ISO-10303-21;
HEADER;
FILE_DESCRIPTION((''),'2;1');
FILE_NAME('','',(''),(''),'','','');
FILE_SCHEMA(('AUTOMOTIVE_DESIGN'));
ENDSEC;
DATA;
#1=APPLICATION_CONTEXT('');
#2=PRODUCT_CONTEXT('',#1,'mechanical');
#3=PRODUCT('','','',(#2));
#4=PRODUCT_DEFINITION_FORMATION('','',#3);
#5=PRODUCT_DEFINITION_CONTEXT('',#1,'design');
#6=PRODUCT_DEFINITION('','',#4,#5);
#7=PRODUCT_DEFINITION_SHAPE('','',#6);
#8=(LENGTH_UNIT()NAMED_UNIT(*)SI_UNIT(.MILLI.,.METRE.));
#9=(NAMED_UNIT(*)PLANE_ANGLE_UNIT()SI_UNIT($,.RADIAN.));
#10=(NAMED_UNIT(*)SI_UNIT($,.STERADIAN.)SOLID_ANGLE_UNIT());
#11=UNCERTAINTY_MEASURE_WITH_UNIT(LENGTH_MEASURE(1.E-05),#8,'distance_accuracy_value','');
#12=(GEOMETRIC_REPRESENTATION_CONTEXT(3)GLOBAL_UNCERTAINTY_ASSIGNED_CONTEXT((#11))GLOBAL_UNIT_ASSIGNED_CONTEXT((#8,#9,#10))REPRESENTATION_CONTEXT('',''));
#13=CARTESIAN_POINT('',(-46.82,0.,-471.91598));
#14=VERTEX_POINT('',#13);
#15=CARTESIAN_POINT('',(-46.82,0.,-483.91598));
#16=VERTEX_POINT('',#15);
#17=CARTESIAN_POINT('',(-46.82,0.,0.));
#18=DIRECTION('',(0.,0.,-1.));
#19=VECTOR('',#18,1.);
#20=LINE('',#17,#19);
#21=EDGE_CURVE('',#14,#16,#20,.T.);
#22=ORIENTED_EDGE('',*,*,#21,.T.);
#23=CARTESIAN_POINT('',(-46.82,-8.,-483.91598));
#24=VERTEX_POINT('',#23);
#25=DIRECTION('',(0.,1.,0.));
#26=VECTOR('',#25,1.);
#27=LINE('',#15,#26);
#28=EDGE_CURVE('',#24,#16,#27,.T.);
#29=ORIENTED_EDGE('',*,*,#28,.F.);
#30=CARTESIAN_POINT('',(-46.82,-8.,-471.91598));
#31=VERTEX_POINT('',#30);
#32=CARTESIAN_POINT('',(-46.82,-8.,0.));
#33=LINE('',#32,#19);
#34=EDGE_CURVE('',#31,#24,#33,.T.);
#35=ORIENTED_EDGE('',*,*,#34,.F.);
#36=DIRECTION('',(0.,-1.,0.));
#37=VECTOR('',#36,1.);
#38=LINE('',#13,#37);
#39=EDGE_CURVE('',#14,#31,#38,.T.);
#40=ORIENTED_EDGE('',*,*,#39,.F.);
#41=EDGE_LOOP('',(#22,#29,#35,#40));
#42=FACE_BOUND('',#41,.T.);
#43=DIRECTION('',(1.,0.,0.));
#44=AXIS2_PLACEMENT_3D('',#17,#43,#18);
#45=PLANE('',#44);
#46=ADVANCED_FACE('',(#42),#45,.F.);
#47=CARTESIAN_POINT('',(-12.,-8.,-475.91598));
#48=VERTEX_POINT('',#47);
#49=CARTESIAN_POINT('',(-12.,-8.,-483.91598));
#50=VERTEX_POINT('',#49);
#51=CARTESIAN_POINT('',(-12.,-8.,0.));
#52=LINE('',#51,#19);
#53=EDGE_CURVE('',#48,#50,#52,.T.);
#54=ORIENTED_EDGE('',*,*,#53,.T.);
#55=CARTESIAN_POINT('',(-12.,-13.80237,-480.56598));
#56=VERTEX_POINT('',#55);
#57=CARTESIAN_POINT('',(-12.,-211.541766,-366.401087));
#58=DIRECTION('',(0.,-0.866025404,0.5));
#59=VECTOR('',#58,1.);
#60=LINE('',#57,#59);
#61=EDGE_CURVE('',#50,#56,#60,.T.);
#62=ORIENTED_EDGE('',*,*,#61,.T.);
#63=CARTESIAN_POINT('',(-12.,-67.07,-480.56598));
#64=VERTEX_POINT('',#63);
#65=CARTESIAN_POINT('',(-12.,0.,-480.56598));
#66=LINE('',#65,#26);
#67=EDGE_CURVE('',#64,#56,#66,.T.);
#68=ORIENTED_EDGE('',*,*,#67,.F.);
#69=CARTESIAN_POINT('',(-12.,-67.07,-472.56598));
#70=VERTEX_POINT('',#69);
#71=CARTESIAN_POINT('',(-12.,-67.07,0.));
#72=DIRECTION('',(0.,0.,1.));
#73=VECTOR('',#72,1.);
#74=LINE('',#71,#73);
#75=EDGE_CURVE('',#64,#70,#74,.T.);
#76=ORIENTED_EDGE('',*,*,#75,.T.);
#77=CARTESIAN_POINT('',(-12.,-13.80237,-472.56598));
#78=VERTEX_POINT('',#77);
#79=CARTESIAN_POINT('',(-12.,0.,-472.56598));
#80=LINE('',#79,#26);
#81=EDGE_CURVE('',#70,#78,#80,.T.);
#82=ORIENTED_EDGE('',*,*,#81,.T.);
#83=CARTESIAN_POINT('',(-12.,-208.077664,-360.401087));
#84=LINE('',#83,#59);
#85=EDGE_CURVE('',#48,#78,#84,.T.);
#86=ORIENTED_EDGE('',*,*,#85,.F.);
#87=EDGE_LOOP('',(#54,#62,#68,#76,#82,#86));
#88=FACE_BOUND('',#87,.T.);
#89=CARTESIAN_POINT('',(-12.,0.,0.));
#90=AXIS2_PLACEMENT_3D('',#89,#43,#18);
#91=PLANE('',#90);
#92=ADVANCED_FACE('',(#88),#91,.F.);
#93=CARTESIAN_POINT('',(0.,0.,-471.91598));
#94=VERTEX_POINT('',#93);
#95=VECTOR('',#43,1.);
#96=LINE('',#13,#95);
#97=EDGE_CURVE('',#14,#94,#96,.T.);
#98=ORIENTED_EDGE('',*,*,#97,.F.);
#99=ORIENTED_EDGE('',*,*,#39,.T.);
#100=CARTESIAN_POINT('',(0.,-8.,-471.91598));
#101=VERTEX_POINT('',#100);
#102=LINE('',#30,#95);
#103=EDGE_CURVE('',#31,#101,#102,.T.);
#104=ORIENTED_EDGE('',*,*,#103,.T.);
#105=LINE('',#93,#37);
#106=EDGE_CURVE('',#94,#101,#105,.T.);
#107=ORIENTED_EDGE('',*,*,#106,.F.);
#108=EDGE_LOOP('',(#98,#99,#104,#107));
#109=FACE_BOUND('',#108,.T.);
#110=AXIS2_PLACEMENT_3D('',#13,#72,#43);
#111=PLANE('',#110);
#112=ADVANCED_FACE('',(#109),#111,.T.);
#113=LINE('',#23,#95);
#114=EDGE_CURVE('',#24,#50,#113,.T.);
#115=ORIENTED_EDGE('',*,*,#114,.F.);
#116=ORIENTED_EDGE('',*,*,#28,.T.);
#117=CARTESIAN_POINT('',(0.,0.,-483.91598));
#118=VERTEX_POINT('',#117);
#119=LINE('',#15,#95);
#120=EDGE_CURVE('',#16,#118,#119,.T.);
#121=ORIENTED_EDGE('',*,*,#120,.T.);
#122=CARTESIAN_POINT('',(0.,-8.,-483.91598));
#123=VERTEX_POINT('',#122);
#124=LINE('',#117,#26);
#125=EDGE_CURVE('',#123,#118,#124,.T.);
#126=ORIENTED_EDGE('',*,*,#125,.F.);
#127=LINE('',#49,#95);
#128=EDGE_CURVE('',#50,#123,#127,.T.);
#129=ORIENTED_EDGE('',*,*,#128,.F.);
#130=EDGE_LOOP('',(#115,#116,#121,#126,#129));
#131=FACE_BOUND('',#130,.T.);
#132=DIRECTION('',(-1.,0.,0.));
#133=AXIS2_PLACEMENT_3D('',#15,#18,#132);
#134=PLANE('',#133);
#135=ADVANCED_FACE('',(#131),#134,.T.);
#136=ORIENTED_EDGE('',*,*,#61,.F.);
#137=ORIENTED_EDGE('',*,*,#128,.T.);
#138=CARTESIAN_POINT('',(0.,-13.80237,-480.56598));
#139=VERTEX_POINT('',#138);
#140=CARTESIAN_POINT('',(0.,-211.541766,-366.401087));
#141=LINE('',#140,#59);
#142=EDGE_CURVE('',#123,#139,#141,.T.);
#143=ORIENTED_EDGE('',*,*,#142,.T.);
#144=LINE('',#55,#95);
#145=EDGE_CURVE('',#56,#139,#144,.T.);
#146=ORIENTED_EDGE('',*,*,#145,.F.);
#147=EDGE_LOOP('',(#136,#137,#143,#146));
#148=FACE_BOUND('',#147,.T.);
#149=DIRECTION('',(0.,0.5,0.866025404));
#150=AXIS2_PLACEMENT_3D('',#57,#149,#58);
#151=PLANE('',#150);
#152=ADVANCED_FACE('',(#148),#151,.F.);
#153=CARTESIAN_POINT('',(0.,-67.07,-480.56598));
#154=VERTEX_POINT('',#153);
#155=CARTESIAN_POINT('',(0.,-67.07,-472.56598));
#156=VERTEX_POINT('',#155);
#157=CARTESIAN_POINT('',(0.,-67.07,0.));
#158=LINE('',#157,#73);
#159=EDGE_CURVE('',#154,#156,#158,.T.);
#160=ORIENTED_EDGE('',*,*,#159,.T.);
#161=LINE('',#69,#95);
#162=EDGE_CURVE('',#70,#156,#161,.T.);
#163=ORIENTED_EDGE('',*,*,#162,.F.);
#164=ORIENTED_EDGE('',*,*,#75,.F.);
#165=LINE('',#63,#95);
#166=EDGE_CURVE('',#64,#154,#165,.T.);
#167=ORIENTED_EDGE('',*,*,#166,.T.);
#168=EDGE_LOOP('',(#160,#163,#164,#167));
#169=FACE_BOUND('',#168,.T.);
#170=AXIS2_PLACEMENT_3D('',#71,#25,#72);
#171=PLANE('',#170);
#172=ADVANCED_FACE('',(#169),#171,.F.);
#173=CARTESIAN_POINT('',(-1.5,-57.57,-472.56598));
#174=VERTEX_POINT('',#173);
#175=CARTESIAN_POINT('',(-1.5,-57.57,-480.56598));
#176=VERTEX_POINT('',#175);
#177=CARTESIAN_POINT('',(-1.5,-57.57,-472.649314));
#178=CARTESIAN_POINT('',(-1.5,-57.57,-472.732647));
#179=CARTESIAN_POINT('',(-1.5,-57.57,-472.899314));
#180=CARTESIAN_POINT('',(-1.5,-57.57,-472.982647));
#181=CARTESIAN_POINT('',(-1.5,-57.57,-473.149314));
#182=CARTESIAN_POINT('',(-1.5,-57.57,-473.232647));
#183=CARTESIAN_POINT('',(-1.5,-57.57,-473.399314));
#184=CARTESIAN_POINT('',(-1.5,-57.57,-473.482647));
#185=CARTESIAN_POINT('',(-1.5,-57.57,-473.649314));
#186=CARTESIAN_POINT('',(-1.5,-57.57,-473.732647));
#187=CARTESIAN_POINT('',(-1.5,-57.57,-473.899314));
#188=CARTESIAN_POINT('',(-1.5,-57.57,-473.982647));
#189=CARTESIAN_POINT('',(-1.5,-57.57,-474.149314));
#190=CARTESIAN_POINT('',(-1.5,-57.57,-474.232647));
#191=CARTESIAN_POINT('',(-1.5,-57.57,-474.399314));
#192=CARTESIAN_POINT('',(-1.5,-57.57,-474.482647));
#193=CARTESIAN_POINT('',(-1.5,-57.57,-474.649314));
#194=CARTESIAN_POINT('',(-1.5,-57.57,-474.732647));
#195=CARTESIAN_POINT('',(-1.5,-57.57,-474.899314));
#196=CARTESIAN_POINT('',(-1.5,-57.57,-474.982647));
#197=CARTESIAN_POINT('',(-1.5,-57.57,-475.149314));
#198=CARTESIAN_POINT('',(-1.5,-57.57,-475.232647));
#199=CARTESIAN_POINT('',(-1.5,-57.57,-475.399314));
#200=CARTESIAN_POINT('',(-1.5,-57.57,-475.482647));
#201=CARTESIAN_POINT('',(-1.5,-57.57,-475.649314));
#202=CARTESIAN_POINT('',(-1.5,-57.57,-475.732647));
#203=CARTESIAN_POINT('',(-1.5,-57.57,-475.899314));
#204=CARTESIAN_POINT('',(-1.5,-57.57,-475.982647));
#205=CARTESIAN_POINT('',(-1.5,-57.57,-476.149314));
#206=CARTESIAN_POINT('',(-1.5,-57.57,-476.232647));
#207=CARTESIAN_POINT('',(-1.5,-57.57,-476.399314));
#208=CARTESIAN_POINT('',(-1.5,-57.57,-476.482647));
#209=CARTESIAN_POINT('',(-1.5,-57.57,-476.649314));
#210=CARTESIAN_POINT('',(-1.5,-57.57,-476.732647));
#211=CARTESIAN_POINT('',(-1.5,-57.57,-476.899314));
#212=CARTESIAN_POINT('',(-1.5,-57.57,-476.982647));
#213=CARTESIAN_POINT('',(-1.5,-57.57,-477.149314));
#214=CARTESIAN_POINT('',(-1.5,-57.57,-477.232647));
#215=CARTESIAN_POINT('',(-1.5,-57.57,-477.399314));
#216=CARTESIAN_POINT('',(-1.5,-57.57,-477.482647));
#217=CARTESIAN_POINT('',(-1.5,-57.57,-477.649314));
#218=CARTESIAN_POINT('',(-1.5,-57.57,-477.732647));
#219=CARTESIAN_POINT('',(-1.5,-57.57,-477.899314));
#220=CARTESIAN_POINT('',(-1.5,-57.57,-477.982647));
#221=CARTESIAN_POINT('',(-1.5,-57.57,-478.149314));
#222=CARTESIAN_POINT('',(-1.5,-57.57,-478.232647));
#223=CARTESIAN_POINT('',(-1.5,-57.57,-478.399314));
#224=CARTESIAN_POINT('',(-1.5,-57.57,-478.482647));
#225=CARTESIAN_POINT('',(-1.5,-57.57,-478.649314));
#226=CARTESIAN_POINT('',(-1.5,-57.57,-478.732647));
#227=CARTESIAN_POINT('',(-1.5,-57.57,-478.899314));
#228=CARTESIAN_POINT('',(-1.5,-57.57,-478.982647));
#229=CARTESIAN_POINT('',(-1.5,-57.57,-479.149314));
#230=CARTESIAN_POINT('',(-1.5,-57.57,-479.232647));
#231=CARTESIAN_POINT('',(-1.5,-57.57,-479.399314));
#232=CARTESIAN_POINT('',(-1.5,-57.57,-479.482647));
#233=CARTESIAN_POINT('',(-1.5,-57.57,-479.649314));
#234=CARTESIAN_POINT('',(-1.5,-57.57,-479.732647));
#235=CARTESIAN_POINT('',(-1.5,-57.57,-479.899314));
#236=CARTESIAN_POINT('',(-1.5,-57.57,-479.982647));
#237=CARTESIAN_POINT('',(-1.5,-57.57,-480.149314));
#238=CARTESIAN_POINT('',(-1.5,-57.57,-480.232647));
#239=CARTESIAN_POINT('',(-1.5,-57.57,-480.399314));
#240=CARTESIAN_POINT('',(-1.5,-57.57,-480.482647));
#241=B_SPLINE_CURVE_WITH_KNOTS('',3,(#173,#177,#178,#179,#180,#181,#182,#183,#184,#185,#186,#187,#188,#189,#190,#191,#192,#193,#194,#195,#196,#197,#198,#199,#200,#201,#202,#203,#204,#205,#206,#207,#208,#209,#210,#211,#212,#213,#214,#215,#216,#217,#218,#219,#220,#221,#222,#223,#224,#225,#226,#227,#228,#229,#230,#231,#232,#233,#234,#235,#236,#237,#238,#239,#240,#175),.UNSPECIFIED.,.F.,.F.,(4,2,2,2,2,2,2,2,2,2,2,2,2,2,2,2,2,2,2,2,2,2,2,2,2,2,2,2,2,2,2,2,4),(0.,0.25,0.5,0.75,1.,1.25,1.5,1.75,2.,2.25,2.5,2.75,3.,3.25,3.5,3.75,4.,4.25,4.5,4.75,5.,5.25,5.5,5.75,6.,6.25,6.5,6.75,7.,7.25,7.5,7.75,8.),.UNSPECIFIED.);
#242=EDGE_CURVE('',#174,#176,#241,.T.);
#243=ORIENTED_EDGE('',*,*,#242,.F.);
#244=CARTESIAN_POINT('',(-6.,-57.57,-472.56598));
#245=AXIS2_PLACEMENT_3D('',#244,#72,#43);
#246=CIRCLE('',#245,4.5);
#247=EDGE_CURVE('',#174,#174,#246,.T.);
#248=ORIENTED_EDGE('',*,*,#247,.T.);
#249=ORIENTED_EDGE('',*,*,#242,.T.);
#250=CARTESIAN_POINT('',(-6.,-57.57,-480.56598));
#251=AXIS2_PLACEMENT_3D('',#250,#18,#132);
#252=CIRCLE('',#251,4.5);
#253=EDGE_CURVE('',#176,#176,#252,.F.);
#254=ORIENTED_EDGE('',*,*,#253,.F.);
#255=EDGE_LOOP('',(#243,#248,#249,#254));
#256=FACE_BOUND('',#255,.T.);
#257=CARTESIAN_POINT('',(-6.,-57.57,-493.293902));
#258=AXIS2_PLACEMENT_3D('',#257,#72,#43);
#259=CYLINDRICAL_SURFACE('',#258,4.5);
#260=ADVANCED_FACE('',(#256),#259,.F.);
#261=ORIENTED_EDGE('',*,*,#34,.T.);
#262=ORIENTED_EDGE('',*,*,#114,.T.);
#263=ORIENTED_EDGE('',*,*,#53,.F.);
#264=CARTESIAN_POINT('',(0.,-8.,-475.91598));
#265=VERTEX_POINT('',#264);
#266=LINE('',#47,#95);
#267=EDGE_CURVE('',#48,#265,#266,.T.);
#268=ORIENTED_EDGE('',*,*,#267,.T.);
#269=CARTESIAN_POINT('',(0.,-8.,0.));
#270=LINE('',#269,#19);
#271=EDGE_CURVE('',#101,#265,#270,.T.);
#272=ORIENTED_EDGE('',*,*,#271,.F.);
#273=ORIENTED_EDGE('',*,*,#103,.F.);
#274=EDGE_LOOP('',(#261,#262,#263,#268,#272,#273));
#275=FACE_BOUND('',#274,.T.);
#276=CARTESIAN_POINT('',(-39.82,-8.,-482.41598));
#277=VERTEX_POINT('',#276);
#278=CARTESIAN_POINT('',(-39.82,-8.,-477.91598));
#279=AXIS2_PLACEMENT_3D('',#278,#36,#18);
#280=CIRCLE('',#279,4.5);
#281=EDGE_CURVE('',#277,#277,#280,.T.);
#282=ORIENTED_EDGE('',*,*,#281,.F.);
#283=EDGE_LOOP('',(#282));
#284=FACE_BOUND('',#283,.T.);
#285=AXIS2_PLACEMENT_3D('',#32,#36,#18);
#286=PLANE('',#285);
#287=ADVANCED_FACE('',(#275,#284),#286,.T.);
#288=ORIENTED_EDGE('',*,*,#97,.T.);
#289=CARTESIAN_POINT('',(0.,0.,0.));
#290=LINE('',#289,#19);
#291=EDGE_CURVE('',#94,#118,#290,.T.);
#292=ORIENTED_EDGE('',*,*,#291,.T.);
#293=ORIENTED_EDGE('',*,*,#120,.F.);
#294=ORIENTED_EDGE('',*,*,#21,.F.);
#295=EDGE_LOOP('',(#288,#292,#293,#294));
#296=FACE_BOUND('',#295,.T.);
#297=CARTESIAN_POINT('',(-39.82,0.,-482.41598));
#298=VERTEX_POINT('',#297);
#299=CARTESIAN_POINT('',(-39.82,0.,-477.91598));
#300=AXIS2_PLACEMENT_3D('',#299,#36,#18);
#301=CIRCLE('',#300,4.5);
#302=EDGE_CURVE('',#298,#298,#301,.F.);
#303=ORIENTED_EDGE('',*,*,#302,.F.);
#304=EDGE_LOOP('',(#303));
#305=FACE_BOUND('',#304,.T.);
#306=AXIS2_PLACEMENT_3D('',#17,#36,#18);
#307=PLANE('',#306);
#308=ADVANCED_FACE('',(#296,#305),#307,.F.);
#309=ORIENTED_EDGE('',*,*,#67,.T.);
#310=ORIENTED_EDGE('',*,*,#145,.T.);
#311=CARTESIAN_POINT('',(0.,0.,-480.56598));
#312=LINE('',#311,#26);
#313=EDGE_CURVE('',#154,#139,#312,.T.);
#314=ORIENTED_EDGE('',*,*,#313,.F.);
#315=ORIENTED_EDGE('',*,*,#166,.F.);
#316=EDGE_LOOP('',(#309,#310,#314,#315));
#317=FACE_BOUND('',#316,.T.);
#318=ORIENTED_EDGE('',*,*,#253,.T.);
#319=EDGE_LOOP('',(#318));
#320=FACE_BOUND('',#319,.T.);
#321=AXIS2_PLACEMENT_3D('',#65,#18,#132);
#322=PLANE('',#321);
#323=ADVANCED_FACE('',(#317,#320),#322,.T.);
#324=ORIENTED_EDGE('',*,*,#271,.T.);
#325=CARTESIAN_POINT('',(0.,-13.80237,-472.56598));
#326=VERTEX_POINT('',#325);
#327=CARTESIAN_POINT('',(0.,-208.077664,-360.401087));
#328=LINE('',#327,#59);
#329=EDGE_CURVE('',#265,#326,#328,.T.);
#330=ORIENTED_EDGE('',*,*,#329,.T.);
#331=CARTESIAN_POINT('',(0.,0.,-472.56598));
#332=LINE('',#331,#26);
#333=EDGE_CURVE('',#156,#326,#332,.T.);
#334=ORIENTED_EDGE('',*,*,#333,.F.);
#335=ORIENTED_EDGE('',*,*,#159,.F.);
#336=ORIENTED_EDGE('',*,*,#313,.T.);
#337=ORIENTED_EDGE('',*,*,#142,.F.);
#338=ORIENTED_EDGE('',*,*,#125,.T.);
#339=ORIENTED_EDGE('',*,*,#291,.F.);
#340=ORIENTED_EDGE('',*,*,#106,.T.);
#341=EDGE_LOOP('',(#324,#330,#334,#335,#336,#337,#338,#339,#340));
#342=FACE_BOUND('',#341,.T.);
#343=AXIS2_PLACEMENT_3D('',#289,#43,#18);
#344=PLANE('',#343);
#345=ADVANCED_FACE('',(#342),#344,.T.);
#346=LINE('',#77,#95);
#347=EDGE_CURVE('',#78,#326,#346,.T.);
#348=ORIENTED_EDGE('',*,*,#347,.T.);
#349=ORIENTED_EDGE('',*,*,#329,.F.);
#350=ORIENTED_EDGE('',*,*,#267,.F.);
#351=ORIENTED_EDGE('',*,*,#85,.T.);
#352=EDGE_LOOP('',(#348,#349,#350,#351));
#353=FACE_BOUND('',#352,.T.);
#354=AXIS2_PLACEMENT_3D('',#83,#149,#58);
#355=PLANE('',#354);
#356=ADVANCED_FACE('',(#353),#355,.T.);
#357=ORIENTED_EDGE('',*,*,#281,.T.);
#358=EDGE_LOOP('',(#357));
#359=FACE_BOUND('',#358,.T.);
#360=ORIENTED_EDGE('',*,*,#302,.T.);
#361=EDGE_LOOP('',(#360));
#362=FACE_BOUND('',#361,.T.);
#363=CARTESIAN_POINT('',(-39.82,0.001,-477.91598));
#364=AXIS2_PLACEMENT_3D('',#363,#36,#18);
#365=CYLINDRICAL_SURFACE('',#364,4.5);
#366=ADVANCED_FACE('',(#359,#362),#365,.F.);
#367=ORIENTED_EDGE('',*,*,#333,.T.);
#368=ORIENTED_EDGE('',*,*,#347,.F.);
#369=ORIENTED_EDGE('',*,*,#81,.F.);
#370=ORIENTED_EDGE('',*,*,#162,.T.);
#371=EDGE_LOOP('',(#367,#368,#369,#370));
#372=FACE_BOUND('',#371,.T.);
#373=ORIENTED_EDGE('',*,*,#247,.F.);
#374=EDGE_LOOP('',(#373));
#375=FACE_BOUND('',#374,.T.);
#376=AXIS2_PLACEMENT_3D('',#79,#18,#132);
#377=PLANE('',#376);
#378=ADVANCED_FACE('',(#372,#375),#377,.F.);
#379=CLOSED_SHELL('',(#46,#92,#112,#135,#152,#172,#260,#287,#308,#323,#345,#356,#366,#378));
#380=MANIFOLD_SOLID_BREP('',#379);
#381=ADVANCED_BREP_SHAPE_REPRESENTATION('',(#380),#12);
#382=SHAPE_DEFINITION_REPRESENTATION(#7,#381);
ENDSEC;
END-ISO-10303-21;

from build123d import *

# Parameters (mm, degrees)
BOSS_EXTRUDE1_DEPTH = 12
BOSS_EXTRUDE2_DEPTH = 46.82
SKETCH3_R           = 4.5
CUT_EXTRUDE2_DEPTH  = 8
SKETCH5_R           = 4.5
CUT_EXTRUDE4_DEPTH  = 8


with BuildPart() as part:
    # Sketch1 → Boss-Extrude1 (new body)
    with BuildSketch(Plane(origin=(0, 0, 0), x_dir=(0, 0, -1), z_dir=(1, 0, 0))):
        Polygon((475.915980223, -8), (483.915980223, -8), (480.565980223, -13.802370205), (480.565980223, -67.07), (472.565980223, -67.07), (472.565980223, -13.802370205), align=None)
    extrude(amount=-BOSS_EXTRUDE1_DEPTH)

    # Sketch1<3> → Boss-Extrude2 (add)
    with BuildSketch(Plane(origin=(0, 0, 0), x_dir=(0, 0, -1), z_dir=(1, 0, 0))):
        Polygon((471.915980223, -8), (475.915980223, -8), (483.915980223, -8), (483.915980223, 0), (471.915980223, 0), align=None)
    extrude(amount=-BOSS_EXTRUDE2_DEPTH)

    # Sketch3 → Cut-Extrude2 (cut)
    with BuildSketch(Plane.XZ.offset(8)):
        with Locations(Location((-39.82, -477.915980223, 0), (0, 0, 270))):
            Circle(SKETCH3_R)
    extrude(amount=-CUT_EXTRUDE2_DEPTH, mode=Mode.SUBTRACT)

    # Sketch5 → Cut-Extrude4 (cut)
    with BuildSketch(Plane.XY.offset(-472.565980223)):
        with Locations((-6, -57.57)):
            Circle(SKETCH5_R)
    extrude(amount=-CUT_EXTRUDE4_DEPTH, mode=Mode.SUBTRACT)


solid = part.part
